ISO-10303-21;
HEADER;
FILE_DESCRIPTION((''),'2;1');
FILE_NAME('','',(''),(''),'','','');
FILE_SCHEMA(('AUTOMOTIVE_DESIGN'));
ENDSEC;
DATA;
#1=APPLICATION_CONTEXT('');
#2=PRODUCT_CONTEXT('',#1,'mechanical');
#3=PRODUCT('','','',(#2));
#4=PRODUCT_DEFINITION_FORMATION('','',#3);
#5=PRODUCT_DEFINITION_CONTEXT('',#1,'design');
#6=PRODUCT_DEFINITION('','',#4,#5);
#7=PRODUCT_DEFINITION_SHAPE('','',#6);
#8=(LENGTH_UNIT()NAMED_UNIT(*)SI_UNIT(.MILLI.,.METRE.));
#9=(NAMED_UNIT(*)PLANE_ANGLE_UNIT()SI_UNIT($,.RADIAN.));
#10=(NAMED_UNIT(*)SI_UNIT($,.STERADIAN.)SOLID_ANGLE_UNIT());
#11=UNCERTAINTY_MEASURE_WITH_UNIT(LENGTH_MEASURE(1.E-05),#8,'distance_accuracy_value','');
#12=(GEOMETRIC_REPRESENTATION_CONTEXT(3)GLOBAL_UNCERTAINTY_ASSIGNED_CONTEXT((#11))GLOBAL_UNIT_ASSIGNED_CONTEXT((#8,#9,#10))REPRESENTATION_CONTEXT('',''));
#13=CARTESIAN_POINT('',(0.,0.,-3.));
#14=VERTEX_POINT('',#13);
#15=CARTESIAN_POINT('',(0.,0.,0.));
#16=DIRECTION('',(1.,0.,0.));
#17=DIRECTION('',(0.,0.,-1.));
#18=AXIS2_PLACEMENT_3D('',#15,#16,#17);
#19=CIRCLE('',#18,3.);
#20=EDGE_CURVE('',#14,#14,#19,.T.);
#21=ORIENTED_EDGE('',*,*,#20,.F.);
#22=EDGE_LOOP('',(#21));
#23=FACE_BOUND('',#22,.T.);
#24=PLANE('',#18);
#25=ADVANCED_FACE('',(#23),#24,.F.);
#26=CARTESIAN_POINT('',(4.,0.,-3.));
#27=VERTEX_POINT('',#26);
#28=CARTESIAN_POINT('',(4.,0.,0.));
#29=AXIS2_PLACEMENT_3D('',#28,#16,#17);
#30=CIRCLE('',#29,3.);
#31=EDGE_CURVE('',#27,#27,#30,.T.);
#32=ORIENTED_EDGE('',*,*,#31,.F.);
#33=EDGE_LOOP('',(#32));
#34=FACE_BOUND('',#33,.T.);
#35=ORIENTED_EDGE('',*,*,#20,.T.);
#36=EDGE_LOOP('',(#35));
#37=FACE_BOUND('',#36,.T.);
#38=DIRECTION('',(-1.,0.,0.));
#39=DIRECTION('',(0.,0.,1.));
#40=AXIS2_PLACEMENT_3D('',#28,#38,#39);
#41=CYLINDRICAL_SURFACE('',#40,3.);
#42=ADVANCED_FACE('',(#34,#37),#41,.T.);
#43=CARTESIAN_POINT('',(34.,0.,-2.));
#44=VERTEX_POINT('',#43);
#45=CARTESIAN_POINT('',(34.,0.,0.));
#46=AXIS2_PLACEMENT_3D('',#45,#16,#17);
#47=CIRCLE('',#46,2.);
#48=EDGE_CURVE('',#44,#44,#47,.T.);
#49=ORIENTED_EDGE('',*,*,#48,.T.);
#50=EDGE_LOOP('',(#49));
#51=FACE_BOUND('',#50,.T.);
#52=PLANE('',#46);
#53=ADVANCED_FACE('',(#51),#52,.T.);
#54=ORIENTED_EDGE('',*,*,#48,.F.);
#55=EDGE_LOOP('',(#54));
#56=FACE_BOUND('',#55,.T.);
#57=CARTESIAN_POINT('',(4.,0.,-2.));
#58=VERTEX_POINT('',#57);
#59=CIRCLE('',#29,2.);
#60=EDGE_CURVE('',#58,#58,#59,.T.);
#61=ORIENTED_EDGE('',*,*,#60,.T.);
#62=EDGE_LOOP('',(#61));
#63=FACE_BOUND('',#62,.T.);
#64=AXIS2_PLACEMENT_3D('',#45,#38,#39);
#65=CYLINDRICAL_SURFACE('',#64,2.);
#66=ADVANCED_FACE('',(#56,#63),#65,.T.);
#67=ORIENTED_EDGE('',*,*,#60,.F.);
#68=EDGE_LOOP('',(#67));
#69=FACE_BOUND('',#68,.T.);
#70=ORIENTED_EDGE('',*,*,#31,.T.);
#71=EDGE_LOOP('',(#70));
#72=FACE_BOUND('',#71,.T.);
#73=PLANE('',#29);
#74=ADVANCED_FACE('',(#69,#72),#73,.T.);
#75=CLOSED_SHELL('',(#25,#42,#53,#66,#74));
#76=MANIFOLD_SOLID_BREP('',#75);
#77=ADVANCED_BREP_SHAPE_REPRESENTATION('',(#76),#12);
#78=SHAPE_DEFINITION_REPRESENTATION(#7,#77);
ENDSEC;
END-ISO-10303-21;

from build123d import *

# Parameters (mm, degrees)
SKETCH_1_R      = 3
EXTRUDE_1_DEPTH = 4
SKETCH_2_R      = 2
EXTRUDE_2_DEPTH = 30


with BuildPart() as part:
    # 草图1 → 凸台-拉伸1 (new body)
    with BuildSketch(Plane(origin=(0, 0, 0), x_dir=(0, 0, -1), z_dir=(1, 0, 0))):
        Circle(SKETCH_1_R)
    extrude(amount=EXTRUDE_1_DEPTH)

    # 草图2 → 凸台-拉伸2 (add)
    with BuildSketch(Plane(origin=(4, 0, 0), x_dir=(0, 0, -1), z_dir=(1, 0, 0))):
        Circle(SKETCH_2_R)
    extrude(amount=EXTRUDE_2_DEPTH)


solid = part.part
